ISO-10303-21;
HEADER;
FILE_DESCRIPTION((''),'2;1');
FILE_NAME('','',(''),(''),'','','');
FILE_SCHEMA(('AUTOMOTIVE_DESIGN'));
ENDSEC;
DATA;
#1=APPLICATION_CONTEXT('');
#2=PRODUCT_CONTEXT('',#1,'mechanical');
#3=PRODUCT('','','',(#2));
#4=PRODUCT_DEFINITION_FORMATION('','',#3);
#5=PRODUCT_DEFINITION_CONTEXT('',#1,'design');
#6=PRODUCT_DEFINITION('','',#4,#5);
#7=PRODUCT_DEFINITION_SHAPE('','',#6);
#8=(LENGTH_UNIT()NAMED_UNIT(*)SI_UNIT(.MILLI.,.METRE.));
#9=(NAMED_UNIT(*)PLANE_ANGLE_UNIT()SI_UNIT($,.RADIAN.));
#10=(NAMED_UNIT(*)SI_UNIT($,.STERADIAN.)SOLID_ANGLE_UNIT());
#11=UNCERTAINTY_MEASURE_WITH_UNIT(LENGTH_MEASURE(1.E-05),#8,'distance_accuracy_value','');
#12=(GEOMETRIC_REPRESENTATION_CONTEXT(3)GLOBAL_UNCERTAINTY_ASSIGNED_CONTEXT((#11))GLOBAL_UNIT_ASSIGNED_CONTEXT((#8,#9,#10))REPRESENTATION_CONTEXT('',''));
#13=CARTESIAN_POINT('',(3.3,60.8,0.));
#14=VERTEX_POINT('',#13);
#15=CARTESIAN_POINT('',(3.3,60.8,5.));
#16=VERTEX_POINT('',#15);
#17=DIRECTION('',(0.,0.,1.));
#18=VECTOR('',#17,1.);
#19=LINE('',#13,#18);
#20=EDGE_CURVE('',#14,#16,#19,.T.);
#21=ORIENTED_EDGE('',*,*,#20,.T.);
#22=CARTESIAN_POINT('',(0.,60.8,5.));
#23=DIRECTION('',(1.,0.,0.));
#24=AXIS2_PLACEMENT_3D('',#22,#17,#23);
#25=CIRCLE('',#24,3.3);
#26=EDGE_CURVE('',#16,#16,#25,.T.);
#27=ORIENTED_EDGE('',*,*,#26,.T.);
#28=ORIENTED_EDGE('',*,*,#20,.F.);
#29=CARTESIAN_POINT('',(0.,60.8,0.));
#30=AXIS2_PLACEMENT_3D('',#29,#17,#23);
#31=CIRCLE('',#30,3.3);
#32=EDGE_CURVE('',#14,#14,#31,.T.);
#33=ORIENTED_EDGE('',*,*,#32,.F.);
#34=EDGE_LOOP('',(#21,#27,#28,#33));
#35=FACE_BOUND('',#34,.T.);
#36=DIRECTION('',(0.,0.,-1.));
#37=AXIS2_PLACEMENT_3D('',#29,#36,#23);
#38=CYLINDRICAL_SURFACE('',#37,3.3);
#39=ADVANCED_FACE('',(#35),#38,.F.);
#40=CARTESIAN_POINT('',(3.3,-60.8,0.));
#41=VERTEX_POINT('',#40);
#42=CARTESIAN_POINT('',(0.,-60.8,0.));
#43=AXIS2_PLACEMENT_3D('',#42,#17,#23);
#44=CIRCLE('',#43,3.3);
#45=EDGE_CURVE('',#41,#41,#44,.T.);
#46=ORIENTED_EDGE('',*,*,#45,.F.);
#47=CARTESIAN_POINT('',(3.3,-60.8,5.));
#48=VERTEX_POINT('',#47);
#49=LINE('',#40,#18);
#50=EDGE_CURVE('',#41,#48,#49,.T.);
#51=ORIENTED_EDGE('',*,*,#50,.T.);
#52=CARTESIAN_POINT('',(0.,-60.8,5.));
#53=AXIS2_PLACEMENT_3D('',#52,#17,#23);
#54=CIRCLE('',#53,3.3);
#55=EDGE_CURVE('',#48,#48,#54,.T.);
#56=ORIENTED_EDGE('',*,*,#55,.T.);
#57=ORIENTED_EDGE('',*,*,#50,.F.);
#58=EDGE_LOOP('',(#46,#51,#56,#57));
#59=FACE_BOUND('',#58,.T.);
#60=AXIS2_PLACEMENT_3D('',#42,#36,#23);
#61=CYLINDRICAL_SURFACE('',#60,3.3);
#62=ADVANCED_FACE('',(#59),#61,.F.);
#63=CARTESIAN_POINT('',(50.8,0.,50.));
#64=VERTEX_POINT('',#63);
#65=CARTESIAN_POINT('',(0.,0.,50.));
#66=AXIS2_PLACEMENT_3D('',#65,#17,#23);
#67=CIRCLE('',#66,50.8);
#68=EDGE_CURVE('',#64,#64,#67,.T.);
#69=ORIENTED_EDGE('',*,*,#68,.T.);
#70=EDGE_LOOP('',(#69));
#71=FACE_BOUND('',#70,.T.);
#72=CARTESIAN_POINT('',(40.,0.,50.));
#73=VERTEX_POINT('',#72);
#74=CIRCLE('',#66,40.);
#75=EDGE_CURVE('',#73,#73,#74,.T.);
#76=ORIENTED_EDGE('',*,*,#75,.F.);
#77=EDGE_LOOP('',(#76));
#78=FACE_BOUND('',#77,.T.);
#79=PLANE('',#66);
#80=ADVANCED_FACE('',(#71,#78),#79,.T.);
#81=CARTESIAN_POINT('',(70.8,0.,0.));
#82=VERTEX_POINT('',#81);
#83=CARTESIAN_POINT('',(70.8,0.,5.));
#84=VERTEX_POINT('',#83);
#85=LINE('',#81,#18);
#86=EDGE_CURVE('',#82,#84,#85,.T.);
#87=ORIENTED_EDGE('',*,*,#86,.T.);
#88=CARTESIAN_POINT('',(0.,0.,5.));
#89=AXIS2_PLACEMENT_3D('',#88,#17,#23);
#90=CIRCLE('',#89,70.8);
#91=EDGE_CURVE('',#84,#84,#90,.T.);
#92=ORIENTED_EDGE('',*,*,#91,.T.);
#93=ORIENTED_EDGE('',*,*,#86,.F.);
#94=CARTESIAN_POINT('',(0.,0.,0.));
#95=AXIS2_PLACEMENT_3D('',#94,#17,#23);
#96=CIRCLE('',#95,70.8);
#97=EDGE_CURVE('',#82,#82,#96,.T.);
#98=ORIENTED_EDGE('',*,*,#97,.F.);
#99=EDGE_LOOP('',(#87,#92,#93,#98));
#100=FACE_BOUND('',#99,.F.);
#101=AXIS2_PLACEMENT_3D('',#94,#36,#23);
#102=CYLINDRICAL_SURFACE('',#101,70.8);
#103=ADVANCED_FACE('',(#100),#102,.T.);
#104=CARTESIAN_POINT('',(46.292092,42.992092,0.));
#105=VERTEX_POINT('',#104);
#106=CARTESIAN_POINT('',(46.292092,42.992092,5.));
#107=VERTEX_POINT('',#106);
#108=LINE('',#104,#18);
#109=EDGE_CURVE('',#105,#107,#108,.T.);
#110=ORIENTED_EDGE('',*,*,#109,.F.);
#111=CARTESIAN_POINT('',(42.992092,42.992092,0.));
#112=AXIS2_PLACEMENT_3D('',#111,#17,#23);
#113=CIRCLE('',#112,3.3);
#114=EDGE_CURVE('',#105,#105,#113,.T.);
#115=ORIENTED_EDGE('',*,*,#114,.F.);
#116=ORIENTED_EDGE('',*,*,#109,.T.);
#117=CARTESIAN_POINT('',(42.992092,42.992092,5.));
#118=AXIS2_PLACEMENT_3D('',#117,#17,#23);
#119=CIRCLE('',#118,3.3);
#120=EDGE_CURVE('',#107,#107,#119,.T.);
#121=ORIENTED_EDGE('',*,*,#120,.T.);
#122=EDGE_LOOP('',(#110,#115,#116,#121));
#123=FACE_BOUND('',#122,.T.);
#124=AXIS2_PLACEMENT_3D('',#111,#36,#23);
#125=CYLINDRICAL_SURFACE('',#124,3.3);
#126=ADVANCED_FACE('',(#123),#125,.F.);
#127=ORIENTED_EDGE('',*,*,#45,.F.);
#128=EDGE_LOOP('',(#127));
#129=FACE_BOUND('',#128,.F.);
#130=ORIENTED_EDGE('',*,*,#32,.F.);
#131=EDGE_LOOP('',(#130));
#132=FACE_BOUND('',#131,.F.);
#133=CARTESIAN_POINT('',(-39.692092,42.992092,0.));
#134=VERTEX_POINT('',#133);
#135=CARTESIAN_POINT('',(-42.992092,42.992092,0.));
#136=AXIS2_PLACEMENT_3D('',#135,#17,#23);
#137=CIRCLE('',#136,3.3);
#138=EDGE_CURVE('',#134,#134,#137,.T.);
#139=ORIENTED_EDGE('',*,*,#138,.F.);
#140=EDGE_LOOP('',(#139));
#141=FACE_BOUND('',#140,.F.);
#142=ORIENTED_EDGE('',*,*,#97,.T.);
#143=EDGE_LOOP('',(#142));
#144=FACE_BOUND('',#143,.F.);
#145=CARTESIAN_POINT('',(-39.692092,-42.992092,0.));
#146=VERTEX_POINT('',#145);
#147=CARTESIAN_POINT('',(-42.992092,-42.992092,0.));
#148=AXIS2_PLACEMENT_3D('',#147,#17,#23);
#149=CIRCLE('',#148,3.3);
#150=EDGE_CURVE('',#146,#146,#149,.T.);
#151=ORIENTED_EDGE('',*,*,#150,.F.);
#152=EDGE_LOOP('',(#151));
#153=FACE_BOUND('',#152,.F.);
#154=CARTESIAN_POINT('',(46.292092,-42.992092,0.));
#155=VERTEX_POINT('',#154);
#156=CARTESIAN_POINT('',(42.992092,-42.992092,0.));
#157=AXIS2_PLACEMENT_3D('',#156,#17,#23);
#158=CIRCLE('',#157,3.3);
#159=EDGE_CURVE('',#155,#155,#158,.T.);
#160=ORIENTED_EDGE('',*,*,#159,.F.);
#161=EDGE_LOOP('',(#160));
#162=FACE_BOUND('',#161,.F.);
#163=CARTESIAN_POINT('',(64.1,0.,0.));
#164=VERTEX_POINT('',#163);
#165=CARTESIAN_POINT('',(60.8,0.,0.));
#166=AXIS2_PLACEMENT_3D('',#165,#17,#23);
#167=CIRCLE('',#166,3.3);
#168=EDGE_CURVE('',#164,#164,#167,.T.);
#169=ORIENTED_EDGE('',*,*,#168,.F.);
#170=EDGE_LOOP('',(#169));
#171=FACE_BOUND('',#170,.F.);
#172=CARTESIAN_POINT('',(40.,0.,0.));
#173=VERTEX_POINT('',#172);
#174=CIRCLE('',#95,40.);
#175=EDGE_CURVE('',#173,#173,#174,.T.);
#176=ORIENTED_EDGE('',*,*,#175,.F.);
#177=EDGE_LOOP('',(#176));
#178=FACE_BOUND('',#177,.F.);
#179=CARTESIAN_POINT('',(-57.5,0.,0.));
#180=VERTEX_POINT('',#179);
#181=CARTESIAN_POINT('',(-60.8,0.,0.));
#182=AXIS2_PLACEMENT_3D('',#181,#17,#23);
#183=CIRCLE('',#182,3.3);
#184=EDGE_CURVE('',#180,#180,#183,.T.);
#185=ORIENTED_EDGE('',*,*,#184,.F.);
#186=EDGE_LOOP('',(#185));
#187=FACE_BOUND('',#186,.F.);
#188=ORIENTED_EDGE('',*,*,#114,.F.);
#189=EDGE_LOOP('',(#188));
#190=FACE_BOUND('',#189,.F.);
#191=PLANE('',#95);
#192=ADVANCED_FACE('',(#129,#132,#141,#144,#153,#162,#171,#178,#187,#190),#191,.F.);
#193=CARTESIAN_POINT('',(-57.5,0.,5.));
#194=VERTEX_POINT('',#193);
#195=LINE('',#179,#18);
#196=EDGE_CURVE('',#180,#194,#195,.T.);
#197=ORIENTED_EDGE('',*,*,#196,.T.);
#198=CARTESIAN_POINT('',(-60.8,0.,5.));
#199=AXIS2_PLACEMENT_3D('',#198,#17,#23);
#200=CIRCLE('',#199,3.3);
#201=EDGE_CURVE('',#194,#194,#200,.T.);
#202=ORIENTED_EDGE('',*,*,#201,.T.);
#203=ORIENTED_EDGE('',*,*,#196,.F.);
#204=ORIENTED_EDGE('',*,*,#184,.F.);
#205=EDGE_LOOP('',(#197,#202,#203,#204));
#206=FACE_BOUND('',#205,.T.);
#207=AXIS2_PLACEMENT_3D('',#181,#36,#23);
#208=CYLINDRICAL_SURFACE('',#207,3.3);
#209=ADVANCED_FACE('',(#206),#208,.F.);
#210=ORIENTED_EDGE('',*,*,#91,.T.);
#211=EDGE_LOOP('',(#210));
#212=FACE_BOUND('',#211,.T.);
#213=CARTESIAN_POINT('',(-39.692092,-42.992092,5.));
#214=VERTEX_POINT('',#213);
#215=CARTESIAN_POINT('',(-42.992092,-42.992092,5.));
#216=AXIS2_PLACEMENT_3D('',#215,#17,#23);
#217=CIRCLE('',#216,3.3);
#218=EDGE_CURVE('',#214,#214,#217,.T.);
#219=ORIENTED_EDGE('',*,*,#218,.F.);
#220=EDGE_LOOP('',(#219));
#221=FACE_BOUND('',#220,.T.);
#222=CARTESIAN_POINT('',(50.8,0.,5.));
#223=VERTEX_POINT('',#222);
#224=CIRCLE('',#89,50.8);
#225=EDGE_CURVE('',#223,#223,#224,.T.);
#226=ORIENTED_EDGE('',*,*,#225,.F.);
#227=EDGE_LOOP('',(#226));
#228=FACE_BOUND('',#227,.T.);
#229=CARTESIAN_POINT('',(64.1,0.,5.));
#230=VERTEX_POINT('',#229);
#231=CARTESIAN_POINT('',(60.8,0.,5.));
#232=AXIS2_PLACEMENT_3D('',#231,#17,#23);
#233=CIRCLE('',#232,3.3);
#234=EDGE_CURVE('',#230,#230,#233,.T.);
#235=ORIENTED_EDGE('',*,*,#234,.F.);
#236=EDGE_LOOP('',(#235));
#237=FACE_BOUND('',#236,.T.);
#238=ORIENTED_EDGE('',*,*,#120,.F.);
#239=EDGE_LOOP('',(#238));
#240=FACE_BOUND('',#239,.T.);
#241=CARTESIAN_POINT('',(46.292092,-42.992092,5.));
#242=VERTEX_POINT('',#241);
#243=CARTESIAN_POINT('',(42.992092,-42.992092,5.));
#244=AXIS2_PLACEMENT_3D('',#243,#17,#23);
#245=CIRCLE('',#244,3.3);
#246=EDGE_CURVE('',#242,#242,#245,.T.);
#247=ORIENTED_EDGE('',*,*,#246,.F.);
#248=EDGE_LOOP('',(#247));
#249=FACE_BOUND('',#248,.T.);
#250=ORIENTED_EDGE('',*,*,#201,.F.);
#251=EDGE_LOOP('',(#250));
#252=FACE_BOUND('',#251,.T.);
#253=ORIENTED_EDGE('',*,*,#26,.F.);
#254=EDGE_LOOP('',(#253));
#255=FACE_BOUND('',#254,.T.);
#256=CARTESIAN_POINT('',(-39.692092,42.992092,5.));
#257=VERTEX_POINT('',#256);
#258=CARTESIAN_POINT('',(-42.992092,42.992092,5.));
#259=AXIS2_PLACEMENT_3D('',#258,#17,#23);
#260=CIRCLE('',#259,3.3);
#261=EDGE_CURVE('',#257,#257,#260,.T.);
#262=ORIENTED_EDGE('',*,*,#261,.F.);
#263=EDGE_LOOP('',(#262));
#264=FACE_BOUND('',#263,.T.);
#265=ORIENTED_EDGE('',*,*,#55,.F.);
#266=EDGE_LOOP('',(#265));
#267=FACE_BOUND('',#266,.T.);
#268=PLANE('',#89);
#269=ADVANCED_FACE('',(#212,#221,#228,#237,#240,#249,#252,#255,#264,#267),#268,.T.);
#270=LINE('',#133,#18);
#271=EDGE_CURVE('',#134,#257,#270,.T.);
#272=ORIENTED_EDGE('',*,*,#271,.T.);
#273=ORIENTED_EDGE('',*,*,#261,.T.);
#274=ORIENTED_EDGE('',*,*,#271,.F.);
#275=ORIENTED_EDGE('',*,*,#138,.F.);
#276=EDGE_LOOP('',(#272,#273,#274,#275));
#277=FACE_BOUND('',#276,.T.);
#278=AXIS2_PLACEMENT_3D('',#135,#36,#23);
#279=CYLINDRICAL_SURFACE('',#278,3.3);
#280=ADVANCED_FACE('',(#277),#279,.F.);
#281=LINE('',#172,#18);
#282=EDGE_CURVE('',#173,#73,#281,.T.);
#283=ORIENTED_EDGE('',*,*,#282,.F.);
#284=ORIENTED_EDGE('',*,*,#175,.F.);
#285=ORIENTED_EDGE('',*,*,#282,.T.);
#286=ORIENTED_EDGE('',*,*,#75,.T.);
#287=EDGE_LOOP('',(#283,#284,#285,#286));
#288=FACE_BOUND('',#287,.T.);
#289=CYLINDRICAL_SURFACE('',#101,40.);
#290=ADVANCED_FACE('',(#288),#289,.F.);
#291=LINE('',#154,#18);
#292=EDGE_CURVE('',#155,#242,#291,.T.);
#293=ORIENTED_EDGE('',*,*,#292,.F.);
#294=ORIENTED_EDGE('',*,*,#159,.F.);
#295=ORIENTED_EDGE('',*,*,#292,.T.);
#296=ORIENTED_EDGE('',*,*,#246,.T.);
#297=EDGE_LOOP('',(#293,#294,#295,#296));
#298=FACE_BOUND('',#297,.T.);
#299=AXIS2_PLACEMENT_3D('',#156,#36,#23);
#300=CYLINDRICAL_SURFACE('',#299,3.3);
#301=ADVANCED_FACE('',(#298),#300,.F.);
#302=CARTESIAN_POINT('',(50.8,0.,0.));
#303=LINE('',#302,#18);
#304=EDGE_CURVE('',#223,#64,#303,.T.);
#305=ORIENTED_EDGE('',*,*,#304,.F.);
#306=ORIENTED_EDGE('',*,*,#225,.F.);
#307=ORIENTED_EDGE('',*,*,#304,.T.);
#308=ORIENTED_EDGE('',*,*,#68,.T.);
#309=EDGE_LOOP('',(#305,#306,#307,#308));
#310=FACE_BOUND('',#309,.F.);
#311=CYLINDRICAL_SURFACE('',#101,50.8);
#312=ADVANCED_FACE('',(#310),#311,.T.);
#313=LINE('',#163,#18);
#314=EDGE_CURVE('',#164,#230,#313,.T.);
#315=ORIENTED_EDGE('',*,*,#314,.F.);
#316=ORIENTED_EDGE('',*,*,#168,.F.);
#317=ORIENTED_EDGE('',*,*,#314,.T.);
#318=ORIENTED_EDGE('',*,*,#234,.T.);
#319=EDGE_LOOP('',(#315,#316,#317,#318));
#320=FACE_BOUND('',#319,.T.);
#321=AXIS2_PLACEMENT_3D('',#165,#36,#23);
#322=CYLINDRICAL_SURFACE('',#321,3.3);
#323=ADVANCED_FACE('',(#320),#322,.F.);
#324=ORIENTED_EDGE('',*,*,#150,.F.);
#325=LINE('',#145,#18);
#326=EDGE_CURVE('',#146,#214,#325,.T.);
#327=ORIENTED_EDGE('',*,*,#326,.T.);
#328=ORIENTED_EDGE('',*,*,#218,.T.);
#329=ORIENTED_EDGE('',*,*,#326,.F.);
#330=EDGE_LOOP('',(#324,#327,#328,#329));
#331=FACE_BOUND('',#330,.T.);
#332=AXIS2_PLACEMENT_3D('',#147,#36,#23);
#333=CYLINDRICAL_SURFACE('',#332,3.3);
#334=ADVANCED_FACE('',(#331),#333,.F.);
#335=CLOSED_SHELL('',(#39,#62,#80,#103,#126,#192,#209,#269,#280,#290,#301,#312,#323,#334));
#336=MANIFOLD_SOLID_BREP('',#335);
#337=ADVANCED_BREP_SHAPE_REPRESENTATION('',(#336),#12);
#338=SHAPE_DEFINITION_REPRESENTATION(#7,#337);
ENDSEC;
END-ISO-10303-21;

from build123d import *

# Parameters (mm, degrees)
F0_R     = 50.8
F0_R_2   = 40
F1_DEPTH = 50
F2_R     = 70.8
F2_R_2   = 3.3
F2_R_3   = 50.8
F3_DEPTH = 5


with BuildPart() as f1:
    # F0 (on Top) → F1 (new body)
    with BuildSketch(Plane.XY):
        Circle(F0_R)
        Circle(F0_R_2, mode=Mode.SUBTRACT)
    extrude(amount=F1_DEPTH)

    # F2 (on Top) → F3 (join)
    with BuildSketch(Plane.XY):
        Circle(F2_R)
        with Locations((-42.992092, -42.992092)):
            Circle(F2_R_2, mode=Mode.SUBTRACT)
        with Locations((0, -60.8)):
            Circle(F2_R_2, mode=Mode.SUBTRACT)
        with Locations((42.992092, -42.992092)):
            Circle(F2_R_2, mode=Mode.SUBTRACT)
        with Locations((-60.8, 0)):
            Circle(F2_R_2, mode=Mode.SUBTRACT)
        with Locations((-42.992092, 42.992092)):
            Circle(F2_R_2, mode=Mode.SUBTRACT)
        Circle(F2_R_3, mode=Mode.SUBTRACT)
        with Locations((60.8, 0)):
            Circle(F2_R_2, mode=Mode.SUBTRACT)
        with Locations((0, 60.8)):
            Circle(F2_R_2, mode=Mode.SUBTRACT)
        with Locations((42.992092, 42.992092)):
            Circle(F2_R_2, mode=Mode.SUBTRACT)
    extrude(amount=F3_DEPTH)


solid = f1.part
